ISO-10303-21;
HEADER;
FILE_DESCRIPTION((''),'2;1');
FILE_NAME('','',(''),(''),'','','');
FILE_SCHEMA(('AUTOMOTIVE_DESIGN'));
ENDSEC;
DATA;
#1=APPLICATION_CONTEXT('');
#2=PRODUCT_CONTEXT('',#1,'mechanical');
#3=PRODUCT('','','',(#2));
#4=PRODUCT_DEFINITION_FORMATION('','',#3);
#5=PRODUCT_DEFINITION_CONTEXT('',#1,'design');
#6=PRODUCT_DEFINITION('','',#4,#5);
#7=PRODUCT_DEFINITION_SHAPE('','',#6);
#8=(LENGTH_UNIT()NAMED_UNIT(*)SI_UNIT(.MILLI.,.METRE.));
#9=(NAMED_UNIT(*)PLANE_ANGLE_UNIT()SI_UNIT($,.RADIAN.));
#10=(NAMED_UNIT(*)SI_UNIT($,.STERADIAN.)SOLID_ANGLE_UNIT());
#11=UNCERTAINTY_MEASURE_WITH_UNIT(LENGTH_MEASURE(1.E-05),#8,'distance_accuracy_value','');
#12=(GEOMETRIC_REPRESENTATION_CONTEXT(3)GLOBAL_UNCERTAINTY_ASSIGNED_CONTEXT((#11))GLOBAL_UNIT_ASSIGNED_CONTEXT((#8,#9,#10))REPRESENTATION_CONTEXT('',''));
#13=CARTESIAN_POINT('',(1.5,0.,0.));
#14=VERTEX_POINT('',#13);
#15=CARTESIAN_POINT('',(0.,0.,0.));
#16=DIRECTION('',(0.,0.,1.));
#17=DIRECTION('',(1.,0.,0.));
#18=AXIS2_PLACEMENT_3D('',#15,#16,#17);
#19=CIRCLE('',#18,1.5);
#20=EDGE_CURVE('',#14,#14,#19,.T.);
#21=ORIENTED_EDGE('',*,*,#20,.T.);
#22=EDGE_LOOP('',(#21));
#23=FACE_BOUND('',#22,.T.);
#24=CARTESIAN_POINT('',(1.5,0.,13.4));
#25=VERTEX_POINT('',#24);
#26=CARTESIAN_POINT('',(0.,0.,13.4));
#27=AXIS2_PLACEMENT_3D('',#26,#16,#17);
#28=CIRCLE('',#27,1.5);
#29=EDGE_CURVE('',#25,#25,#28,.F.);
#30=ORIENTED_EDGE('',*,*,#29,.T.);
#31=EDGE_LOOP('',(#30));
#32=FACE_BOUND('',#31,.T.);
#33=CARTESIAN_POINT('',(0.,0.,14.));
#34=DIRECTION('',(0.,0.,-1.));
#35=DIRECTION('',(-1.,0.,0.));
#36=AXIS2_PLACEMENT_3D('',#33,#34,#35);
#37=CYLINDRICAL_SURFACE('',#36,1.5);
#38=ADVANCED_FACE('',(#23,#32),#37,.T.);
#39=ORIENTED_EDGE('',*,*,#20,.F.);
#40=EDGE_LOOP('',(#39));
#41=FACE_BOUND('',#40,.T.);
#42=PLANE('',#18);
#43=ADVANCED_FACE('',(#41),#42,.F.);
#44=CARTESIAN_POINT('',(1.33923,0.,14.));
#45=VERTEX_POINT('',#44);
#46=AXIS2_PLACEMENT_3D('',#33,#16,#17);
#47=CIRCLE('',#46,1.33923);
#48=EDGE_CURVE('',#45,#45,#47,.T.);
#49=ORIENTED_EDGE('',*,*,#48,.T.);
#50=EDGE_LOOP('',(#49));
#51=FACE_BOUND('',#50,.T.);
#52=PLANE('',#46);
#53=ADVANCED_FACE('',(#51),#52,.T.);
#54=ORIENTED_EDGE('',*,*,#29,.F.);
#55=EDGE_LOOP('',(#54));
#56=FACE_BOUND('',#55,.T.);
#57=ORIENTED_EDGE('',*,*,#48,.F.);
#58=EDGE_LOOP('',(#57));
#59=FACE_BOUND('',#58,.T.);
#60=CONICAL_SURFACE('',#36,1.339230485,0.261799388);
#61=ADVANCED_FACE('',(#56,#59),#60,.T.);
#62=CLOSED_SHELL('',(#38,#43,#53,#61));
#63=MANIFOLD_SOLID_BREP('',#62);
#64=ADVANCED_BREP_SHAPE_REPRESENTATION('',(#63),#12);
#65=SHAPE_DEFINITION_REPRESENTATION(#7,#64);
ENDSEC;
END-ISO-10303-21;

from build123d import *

# Parameters (mm, degrees)
SKIZZE1_R                       = 1.5
AUFSATZ_LINEAR_AUSTRAGEN1_DEPTH = 14
FASE1_SIZE                      = 0.6
FASE1_SIZE2                     = 0.160769515


with BuildPart() as part:
    # Skizze1 → Aufsatz-Linear austragen1 (new body)
    with BuildSketch(Plane.XY):
        Circle(SKIZZE1_R)
    extrude(amount=AUFSATZ_LINEAR_AUSTRAGEN1_DEPTH)

    # Fase1
    fase1_edges = [part.edges().sort_by_distance(p)[0] for p in [
        (-1.5, 0, 14),
    ]]
    fase1_side = [part.faces().sort_by_distance(p)[0] for p in [
        (-1.5, 0, 7),
    ]]
    chamfer(fase1_edges, length=FASE1_SIZE, length2=FASE1_SIZE2, reference=fase1_side[0])


solid = part.part
